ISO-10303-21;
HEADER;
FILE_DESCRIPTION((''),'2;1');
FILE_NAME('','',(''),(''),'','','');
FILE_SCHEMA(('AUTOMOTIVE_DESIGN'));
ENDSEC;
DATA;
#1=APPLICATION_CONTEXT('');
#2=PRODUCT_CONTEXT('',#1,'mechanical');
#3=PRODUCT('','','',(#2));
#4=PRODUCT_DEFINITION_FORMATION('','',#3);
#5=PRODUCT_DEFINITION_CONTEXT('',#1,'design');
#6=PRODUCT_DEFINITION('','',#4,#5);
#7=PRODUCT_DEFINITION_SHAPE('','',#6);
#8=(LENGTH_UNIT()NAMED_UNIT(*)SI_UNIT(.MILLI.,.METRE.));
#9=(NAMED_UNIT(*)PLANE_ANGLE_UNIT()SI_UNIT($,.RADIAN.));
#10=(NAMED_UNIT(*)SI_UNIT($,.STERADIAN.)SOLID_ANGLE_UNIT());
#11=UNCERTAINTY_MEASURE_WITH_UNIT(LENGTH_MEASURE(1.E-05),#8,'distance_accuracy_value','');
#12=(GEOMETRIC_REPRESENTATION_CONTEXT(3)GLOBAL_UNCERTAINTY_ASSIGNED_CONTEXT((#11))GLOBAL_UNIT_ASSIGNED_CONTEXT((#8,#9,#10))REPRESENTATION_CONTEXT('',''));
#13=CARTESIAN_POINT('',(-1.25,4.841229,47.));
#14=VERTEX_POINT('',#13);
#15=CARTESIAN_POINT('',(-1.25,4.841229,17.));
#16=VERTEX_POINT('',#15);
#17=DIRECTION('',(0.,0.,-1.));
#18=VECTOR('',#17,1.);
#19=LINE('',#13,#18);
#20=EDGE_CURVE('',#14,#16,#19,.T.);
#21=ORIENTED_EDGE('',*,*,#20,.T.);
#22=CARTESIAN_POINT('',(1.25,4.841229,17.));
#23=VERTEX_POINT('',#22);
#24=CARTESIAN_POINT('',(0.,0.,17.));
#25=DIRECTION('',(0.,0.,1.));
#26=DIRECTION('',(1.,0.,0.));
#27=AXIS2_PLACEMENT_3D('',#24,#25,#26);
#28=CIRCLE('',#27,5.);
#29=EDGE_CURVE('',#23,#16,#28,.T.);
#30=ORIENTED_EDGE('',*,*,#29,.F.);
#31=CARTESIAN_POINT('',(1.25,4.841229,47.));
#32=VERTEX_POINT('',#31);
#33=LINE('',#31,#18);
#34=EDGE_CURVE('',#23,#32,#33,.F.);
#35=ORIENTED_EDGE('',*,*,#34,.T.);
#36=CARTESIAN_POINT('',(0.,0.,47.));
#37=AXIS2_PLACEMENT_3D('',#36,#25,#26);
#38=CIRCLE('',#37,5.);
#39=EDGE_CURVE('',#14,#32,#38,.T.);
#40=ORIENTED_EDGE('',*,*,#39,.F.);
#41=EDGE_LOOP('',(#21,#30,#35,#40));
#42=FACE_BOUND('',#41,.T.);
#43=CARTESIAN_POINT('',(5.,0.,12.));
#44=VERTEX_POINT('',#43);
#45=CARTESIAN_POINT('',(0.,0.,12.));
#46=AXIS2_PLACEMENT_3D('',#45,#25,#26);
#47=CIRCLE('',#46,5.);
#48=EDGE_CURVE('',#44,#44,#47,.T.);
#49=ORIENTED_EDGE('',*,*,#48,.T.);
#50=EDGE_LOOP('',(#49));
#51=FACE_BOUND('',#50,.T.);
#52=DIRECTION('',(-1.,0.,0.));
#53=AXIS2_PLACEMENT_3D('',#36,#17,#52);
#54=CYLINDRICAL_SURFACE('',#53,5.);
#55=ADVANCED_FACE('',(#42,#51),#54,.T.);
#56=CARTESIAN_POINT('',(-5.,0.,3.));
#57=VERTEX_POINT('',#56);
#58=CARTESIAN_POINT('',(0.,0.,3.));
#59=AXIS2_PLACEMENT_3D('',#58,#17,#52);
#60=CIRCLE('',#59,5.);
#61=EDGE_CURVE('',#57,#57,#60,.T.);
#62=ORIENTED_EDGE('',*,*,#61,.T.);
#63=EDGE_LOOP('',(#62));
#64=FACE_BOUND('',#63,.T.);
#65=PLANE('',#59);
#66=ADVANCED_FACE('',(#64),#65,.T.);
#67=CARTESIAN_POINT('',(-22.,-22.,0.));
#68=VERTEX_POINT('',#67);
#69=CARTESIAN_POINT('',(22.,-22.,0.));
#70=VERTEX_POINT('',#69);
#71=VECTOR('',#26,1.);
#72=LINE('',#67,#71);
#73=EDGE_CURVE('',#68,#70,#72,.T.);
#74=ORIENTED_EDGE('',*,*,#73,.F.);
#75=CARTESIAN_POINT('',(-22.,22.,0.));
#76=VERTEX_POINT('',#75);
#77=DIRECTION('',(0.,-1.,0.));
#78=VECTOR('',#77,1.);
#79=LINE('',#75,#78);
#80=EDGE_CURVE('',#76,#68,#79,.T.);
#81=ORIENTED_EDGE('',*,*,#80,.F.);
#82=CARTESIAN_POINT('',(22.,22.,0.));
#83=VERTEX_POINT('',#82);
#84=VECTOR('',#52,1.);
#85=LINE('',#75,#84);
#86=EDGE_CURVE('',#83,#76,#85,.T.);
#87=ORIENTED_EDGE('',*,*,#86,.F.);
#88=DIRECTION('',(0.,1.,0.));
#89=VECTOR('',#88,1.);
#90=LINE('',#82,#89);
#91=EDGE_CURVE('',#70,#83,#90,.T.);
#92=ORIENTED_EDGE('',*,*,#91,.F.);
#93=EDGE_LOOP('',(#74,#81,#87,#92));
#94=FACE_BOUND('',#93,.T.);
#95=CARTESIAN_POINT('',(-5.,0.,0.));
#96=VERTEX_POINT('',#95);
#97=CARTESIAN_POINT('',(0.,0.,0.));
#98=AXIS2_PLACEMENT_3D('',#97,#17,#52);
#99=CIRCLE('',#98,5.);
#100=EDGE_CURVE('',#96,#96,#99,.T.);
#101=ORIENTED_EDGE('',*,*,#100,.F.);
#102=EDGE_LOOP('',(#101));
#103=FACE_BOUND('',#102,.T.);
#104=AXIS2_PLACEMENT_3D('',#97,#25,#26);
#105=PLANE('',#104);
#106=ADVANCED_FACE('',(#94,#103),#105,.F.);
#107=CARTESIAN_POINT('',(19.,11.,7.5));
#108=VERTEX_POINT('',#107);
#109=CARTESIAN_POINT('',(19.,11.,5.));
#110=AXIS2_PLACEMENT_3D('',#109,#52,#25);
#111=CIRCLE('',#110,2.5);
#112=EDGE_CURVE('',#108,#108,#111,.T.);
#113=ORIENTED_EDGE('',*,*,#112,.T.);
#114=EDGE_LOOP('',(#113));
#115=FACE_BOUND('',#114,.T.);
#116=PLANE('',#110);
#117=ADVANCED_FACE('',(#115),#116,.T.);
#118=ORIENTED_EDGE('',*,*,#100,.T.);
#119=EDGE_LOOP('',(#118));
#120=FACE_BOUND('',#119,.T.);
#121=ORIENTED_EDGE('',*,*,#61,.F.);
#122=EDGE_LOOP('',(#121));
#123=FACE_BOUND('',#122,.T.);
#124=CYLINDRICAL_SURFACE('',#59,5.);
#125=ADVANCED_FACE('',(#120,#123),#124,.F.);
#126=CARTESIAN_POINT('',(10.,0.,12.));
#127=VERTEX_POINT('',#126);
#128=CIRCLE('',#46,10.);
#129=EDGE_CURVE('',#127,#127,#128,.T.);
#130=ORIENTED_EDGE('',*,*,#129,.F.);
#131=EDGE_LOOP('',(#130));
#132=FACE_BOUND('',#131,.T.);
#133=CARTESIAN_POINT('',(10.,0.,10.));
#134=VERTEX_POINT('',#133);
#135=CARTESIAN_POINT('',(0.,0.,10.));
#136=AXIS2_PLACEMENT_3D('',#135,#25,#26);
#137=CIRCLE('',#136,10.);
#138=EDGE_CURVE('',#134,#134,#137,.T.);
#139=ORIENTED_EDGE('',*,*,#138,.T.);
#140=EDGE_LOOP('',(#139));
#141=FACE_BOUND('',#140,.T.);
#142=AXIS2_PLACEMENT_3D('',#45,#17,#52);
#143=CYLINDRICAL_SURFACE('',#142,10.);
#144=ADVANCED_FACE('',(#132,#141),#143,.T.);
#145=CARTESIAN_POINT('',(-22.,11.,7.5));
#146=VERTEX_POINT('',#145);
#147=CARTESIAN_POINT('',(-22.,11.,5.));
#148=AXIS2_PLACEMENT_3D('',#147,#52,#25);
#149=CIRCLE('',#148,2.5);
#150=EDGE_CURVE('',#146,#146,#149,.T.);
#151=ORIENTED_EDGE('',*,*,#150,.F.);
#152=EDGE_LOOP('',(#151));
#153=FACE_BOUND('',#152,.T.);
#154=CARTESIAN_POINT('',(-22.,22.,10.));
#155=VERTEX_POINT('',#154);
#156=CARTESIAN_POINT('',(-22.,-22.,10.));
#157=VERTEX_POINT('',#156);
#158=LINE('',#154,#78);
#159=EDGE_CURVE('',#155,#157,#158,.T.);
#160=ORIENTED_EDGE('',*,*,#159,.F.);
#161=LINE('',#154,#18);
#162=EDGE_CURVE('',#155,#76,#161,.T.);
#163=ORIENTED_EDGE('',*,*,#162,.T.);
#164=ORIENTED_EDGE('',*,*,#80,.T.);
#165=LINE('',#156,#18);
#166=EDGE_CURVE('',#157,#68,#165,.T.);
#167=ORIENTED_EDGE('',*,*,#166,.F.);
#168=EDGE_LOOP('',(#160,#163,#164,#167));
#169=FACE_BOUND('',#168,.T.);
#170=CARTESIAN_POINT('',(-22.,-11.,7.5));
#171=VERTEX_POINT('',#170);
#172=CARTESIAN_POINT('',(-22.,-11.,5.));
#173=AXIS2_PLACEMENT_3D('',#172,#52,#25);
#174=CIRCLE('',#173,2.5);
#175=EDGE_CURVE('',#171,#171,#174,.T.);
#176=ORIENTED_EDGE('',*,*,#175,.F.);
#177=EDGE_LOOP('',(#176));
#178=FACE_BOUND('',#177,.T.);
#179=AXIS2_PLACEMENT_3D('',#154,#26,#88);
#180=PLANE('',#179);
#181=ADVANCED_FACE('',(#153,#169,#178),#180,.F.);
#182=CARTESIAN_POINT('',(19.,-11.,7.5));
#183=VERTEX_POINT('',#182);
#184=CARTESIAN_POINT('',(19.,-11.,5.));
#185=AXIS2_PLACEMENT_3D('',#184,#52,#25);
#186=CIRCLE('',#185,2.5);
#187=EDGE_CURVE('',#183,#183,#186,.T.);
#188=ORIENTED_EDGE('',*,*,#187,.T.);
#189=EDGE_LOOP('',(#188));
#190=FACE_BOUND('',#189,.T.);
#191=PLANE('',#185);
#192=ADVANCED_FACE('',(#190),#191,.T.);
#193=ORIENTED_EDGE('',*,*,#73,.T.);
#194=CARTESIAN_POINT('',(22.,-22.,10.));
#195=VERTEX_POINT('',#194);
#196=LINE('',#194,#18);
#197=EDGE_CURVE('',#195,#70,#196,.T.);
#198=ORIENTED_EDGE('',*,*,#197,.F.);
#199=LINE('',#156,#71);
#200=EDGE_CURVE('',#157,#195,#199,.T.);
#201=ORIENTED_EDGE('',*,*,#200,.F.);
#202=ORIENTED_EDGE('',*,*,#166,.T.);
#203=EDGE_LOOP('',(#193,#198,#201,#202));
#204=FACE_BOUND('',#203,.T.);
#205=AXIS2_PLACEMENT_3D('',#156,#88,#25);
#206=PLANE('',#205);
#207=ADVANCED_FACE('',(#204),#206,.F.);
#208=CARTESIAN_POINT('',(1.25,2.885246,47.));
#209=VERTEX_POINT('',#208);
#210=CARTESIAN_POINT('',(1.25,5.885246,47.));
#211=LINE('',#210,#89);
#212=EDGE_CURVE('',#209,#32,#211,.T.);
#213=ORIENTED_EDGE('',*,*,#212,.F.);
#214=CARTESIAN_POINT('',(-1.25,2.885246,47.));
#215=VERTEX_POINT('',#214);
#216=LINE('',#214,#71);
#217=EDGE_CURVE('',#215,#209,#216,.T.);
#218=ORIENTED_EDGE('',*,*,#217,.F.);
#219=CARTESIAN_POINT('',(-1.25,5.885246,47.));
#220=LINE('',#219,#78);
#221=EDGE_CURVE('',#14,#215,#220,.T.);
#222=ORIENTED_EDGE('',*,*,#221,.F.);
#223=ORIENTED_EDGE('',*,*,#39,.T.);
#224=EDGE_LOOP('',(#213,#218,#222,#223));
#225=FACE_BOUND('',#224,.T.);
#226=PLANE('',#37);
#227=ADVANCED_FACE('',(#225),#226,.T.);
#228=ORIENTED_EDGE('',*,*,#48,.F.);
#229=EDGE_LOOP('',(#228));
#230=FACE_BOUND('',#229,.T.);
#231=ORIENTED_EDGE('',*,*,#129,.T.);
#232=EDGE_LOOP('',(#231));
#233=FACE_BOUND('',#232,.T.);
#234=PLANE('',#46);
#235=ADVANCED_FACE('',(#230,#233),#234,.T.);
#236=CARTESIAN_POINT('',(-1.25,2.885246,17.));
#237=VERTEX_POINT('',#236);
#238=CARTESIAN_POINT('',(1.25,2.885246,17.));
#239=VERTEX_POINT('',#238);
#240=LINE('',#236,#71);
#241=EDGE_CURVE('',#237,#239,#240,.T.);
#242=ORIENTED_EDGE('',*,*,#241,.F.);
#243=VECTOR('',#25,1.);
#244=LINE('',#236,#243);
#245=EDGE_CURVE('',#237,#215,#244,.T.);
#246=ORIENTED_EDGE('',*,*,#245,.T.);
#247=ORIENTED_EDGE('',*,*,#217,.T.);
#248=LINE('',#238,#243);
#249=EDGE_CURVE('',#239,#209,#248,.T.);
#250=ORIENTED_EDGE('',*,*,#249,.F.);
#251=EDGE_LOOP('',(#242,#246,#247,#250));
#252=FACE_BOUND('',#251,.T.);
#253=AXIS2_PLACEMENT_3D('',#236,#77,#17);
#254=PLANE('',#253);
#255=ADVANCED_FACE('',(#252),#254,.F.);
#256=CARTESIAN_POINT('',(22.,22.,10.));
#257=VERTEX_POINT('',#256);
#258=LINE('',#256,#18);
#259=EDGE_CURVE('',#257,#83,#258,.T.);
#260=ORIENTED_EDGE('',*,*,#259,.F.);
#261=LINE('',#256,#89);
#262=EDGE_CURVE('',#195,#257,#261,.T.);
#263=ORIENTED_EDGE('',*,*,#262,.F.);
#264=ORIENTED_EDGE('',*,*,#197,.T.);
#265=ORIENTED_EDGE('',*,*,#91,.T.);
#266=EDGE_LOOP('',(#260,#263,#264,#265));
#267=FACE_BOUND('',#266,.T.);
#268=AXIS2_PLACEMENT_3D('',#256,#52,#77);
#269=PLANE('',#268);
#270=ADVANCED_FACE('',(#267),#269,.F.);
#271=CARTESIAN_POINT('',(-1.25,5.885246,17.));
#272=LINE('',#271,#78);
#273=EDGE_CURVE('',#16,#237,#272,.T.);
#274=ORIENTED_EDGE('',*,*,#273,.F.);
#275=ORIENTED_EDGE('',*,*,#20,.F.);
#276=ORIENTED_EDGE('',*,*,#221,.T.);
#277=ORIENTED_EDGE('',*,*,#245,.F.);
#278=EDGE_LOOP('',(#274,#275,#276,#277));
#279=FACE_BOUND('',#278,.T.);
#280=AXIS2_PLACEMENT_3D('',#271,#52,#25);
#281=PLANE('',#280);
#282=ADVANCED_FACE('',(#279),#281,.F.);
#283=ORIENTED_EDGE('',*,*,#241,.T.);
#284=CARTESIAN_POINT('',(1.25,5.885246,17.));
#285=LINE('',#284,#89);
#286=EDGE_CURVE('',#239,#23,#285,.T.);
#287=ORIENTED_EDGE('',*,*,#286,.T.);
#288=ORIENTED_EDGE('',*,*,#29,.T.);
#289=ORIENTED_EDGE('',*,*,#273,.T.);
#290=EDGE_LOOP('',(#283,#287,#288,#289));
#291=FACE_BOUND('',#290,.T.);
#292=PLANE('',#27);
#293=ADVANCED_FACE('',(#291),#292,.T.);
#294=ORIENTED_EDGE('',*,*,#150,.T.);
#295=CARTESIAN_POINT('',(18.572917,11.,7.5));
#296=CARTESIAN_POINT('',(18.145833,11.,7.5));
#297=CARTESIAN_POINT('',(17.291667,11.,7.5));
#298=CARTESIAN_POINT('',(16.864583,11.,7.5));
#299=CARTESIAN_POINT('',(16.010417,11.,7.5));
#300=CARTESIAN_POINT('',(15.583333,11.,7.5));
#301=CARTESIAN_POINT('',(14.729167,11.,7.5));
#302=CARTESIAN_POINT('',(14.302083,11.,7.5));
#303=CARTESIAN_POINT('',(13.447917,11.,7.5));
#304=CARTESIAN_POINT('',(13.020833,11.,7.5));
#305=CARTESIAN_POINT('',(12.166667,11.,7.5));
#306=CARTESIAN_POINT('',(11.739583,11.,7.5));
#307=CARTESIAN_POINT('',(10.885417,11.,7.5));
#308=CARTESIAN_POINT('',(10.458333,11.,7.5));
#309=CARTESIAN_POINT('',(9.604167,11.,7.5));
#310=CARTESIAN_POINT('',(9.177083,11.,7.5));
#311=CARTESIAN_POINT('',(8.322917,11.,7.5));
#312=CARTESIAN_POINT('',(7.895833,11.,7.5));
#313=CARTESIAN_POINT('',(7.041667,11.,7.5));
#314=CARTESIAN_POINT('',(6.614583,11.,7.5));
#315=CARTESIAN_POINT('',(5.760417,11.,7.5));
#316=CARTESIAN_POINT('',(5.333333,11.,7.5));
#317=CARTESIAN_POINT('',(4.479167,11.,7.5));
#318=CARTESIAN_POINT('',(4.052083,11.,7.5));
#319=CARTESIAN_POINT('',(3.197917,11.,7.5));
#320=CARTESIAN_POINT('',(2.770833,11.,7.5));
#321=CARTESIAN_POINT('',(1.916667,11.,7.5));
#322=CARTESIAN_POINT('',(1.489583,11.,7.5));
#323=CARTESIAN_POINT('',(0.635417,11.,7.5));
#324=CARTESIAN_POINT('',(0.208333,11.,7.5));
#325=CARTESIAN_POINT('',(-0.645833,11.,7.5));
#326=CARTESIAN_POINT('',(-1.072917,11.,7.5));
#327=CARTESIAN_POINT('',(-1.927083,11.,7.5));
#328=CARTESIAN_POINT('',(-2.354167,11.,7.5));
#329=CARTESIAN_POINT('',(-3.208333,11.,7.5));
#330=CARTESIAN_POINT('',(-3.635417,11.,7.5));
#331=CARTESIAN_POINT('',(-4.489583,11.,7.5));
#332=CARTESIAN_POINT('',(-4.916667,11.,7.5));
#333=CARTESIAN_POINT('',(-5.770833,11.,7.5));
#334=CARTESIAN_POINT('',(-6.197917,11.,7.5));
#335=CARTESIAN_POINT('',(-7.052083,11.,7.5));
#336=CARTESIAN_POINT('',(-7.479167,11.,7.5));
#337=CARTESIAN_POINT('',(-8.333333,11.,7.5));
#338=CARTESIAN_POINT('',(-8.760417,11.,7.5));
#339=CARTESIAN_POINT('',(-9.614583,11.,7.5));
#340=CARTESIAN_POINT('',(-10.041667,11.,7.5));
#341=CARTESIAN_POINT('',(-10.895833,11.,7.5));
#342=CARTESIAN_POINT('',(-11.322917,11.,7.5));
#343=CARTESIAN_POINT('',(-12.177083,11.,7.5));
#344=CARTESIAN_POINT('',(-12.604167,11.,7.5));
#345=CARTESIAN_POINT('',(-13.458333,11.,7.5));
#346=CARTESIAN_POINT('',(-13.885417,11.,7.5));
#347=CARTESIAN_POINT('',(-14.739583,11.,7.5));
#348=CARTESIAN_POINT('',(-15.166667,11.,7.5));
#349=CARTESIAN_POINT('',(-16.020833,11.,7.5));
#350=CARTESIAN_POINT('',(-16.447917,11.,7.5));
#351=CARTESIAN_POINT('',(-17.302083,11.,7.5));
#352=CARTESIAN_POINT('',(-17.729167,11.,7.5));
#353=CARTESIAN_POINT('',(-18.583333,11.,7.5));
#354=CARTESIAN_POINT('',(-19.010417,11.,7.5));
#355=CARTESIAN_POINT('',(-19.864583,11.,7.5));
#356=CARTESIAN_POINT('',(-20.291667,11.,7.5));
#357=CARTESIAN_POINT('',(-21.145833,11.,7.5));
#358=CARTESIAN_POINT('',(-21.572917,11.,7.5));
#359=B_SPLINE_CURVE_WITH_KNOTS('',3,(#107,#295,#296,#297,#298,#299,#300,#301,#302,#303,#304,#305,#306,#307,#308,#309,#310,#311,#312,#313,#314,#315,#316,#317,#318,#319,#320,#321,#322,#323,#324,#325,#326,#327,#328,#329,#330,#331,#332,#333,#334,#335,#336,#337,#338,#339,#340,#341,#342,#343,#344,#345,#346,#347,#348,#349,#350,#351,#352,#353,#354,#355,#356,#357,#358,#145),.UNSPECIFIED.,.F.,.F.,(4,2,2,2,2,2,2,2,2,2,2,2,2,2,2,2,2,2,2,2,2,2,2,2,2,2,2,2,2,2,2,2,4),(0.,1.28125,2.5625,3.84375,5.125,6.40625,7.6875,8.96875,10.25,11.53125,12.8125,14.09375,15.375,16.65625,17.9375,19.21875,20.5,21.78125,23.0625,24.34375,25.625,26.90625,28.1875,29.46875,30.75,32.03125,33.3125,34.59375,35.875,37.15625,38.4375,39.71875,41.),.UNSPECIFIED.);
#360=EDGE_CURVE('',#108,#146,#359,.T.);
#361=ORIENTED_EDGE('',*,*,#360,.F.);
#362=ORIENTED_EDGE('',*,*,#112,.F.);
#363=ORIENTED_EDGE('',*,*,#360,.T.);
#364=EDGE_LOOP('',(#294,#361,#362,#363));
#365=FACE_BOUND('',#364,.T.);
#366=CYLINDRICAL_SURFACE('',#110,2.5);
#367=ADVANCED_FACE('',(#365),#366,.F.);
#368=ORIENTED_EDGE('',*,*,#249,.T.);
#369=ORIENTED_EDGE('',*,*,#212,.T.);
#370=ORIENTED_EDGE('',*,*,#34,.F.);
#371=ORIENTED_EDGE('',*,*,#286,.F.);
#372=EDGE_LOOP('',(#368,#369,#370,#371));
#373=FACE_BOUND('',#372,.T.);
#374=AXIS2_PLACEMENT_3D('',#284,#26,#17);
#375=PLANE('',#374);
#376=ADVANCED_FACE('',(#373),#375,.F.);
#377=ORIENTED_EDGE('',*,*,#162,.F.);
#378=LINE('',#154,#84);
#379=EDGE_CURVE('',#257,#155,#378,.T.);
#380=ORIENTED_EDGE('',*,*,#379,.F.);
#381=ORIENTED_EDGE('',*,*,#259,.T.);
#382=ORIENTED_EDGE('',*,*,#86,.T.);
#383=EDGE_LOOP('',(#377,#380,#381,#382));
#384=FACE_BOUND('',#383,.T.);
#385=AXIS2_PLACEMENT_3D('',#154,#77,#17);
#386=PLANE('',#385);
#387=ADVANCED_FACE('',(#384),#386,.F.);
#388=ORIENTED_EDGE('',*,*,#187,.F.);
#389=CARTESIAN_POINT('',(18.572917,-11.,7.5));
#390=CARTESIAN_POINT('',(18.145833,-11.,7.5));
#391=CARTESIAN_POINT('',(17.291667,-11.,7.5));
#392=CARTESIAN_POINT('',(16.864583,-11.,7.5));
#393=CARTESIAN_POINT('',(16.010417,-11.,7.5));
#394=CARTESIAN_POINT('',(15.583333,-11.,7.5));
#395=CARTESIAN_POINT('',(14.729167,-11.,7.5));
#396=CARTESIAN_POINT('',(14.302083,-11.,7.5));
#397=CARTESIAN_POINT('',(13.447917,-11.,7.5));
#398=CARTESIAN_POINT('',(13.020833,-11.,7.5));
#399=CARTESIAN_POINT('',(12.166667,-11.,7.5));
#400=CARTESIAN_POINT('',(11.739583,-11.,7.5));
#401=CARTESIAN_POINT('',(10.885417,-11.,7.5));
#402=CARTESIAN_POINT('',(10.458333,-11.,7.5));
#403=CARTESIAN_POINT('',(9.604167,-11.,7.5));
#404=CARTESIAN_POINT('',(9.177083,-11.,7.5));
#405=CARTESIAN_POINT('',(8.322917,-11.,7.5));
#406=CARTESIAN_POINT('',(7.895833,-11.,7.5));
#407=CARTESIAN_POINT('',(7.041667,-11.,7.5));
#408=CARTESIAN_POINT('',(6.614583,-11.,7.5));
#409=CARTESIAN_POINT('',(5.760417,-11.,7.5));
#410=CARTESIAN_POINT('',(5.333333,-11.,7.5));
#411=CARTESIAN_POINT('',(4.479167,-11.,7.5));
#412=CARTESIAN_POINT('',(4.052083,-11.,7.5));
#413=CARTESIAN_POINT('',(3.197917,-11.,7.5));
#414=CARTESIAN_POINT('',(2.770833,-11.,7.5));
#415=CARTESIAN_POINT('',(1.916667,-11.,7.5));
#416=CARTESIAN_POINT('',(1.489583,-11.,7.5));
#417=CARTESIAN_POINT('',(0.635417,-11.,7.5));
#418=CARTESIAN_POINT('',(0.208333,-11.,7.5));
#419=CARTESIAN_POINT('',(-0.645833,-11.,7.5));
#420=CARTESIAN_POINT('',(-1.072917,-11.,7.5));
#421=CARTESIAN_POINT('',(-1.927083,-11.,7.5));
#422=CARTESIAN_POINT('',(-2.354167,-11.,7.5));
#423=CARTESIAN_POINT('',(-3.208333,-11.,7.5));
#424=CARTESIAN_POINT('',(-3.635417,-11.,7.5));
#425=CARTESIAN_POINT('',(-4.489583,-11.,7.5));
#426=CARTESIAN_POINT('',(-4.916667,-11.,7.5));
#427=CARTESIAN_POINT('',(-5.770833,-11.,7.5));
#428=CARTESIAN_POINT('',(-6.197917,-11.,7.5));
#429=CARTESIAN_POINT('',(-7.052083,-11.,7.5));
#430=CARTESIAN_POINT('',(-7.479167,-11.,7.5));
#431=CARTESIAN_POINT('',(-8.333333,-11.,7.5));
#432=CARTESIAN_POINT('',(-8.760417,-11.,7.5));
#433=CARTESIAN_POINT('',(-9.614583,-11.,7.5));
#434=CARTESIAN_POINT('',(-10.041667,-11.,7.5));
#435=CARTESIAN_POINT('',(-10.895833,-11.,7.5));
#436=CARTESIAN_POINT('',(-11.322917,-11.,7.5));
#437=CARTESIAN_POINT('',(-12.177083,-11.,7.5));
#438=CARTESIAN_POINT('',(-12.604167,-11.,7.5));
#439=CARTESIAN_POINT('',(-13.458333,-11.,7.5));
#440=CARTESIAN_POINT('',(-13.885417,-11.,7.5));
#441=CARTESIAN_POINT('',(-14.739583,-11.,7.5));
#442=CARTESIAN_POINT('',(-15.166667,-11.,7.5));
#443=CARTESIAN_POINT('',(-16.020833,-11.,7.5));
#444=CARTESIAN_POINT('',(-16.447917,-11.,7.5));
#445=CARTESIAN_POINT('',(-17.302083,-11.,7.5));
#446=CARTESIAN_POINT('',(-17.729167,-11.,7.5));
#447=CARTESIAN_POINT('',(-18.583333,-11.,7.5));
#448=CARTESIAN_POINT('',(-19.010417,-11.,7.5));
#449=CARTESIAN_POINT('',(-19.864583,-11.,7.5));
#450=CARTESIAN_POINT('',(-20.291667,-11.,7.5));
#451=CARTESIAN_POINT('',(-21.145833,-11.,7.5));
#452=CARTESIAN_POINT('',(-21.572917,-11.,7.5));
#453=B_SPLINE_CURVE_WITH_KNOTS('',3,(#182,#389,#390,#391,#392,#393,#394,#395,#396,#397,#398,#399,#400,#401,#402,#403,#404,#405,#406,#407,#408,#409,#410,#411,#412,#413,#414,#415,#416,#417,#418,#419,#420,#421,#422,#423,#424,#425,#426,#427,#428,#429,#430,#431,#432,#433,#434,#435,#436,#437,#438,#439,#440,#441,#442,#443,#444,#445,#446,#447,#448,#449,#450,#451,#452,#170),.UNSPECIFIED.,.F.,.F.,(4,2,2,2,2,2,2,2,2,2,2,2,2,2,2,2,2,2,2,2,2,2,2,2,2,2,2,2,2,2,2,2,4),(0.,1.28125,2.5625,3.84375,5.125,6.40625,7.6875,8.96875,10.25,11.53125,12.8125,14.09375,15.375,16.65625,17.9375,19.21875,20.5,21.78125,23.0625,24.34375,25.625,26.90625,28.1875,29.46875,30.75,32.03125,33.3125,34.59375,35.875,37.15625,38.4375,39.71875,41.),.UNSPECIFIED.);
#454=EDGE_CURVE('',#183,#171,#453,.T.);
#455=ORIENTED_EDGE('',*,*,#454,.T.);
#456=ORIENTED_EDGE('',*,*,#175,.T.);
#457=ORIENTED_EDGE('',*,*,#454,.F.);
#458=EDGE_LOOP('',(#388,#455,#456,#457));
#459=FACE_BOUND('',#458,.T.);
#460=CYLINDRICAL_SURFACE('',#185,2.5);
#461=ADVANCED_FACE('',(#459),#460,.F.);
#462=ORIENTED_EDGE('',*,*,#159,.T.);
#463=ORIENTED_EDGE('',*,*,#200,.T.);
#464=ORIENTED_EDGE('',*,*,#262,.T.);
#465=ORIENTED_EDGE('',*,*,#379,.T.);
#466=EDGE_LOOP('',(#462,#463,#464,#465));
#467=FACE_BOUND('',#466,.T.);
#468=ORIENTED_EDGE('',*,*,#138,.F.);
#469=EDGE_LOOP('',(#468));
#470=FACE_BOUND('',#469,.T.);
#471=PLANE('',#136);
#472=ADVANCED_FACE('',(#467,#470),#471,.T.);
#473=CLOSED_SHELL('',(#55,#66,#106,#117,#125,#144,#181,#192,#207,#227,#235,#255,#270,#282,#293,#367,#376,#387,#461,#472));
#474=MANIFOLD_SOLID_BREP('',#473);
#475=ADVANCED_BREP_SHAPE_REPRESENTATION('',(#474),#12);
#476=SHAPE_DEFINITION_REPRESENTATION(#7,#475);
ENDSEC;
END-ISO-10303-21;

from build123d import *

# Parameters (mm, degrees)
SKETCH1_W           = 44
SKETCH1_H           = 44
BOSS_EXTRUDE1_DEPTH = 10
SKETCH2_R           = 5
BOSS_EXTRUDE2_DEPTH = 37
SKETCH3_R           = 5
BOSS_EXTRUDE3_DEPTH = 3
SKETCH4_R           = 5
CUT_EXTRUDE1_DEPTH  = 3
SKETCH5_R           = 2.5
CUT_EXTRUDE2_DEPTH  = 41
SKETCH6_R           = 10
BOSS_EXTRUDE4_DEPTH = 2
SKETCH7_W           = 2.5
SKETCH7_H           = 3
CUT_EXTRUDE3_DEPTH  = 30


with BuildPart() as part:
    # Sketch1 → Boss-Extrude1 (new body)
    with BuildSketch(Plane.XY):
        Rectangle(SKETCH1_W, SKETCH1_H)
    extrude(amount=BOSS_EXTRUDE1_DEPTH)

    # Sketch2 → Boss-Extrude2 (add)
    with BuildSketch(Plane.XY.offset(10)):
        Circle(SKETCH2_R)
    extrude(amount=BOSS_EXTRUDE2_DEPTH)

    # Sketch3 → Boss-Extrude3 (add)
    with BuildSketch(Plane(origin=(0, 0, 0), x_dir=(-1, 0, 0), z_dir=(0, 0, -1))):
        with Locations(Location((0, 0, 0), (0, 0, 180))):
            Circle(SKETCH3_R)
    extrude(amount=-BOSS_EXTRUDE3_DEPTH)

    # Sketch4 → Cut-Extrude1 (cut)
    with BuildSketch(Plane(origin=(0, 0, 0), x_dir=(-1, 0, 0), z_dir=(0, 0, -1))):
        with Locations(Location((0, 0, 0), (0, 0, 180))):
            Circle(SKETCH4_R)
    extrude(amount=-CUT_EXTRUDE1_DEPTH, mode=Mode.SUBTRACT)

    # Sketch5 → Cut-Extrude2 (cut)
    with BuildSketch(Plane.ZY.offset(22)):
        with Locations((5, -11)):
            Circle(SKETCH5_R)
        with Locations((5, 11)):
            Circle(SKETCH5_R)
    extrude(amount=-CUT_EXTRUDE2_DEPTH, mode=Mode.SUBTRACT)

    # Sketch6 → Boss-Extrude4 (add)
    with BuildSketch(Plane.XY.offset(10)):
        Circle(SKETCH6_R)
    extrude(amount=BOSS_EXTRUDE4_DEPTH)

    # Sketch7 → Cut-Extrude3 (cut)
    with BuildSketch(Plane.XY.offset(47)):
        with Locations((0, 4.385245902)):
            Rectangle(SKETCH7_W, SKETCH7_H)
    extrude(amount=-CUT_EXTRUDE3_DEPTH, mode=Mode.SUBTRACT)


solid = part.part
